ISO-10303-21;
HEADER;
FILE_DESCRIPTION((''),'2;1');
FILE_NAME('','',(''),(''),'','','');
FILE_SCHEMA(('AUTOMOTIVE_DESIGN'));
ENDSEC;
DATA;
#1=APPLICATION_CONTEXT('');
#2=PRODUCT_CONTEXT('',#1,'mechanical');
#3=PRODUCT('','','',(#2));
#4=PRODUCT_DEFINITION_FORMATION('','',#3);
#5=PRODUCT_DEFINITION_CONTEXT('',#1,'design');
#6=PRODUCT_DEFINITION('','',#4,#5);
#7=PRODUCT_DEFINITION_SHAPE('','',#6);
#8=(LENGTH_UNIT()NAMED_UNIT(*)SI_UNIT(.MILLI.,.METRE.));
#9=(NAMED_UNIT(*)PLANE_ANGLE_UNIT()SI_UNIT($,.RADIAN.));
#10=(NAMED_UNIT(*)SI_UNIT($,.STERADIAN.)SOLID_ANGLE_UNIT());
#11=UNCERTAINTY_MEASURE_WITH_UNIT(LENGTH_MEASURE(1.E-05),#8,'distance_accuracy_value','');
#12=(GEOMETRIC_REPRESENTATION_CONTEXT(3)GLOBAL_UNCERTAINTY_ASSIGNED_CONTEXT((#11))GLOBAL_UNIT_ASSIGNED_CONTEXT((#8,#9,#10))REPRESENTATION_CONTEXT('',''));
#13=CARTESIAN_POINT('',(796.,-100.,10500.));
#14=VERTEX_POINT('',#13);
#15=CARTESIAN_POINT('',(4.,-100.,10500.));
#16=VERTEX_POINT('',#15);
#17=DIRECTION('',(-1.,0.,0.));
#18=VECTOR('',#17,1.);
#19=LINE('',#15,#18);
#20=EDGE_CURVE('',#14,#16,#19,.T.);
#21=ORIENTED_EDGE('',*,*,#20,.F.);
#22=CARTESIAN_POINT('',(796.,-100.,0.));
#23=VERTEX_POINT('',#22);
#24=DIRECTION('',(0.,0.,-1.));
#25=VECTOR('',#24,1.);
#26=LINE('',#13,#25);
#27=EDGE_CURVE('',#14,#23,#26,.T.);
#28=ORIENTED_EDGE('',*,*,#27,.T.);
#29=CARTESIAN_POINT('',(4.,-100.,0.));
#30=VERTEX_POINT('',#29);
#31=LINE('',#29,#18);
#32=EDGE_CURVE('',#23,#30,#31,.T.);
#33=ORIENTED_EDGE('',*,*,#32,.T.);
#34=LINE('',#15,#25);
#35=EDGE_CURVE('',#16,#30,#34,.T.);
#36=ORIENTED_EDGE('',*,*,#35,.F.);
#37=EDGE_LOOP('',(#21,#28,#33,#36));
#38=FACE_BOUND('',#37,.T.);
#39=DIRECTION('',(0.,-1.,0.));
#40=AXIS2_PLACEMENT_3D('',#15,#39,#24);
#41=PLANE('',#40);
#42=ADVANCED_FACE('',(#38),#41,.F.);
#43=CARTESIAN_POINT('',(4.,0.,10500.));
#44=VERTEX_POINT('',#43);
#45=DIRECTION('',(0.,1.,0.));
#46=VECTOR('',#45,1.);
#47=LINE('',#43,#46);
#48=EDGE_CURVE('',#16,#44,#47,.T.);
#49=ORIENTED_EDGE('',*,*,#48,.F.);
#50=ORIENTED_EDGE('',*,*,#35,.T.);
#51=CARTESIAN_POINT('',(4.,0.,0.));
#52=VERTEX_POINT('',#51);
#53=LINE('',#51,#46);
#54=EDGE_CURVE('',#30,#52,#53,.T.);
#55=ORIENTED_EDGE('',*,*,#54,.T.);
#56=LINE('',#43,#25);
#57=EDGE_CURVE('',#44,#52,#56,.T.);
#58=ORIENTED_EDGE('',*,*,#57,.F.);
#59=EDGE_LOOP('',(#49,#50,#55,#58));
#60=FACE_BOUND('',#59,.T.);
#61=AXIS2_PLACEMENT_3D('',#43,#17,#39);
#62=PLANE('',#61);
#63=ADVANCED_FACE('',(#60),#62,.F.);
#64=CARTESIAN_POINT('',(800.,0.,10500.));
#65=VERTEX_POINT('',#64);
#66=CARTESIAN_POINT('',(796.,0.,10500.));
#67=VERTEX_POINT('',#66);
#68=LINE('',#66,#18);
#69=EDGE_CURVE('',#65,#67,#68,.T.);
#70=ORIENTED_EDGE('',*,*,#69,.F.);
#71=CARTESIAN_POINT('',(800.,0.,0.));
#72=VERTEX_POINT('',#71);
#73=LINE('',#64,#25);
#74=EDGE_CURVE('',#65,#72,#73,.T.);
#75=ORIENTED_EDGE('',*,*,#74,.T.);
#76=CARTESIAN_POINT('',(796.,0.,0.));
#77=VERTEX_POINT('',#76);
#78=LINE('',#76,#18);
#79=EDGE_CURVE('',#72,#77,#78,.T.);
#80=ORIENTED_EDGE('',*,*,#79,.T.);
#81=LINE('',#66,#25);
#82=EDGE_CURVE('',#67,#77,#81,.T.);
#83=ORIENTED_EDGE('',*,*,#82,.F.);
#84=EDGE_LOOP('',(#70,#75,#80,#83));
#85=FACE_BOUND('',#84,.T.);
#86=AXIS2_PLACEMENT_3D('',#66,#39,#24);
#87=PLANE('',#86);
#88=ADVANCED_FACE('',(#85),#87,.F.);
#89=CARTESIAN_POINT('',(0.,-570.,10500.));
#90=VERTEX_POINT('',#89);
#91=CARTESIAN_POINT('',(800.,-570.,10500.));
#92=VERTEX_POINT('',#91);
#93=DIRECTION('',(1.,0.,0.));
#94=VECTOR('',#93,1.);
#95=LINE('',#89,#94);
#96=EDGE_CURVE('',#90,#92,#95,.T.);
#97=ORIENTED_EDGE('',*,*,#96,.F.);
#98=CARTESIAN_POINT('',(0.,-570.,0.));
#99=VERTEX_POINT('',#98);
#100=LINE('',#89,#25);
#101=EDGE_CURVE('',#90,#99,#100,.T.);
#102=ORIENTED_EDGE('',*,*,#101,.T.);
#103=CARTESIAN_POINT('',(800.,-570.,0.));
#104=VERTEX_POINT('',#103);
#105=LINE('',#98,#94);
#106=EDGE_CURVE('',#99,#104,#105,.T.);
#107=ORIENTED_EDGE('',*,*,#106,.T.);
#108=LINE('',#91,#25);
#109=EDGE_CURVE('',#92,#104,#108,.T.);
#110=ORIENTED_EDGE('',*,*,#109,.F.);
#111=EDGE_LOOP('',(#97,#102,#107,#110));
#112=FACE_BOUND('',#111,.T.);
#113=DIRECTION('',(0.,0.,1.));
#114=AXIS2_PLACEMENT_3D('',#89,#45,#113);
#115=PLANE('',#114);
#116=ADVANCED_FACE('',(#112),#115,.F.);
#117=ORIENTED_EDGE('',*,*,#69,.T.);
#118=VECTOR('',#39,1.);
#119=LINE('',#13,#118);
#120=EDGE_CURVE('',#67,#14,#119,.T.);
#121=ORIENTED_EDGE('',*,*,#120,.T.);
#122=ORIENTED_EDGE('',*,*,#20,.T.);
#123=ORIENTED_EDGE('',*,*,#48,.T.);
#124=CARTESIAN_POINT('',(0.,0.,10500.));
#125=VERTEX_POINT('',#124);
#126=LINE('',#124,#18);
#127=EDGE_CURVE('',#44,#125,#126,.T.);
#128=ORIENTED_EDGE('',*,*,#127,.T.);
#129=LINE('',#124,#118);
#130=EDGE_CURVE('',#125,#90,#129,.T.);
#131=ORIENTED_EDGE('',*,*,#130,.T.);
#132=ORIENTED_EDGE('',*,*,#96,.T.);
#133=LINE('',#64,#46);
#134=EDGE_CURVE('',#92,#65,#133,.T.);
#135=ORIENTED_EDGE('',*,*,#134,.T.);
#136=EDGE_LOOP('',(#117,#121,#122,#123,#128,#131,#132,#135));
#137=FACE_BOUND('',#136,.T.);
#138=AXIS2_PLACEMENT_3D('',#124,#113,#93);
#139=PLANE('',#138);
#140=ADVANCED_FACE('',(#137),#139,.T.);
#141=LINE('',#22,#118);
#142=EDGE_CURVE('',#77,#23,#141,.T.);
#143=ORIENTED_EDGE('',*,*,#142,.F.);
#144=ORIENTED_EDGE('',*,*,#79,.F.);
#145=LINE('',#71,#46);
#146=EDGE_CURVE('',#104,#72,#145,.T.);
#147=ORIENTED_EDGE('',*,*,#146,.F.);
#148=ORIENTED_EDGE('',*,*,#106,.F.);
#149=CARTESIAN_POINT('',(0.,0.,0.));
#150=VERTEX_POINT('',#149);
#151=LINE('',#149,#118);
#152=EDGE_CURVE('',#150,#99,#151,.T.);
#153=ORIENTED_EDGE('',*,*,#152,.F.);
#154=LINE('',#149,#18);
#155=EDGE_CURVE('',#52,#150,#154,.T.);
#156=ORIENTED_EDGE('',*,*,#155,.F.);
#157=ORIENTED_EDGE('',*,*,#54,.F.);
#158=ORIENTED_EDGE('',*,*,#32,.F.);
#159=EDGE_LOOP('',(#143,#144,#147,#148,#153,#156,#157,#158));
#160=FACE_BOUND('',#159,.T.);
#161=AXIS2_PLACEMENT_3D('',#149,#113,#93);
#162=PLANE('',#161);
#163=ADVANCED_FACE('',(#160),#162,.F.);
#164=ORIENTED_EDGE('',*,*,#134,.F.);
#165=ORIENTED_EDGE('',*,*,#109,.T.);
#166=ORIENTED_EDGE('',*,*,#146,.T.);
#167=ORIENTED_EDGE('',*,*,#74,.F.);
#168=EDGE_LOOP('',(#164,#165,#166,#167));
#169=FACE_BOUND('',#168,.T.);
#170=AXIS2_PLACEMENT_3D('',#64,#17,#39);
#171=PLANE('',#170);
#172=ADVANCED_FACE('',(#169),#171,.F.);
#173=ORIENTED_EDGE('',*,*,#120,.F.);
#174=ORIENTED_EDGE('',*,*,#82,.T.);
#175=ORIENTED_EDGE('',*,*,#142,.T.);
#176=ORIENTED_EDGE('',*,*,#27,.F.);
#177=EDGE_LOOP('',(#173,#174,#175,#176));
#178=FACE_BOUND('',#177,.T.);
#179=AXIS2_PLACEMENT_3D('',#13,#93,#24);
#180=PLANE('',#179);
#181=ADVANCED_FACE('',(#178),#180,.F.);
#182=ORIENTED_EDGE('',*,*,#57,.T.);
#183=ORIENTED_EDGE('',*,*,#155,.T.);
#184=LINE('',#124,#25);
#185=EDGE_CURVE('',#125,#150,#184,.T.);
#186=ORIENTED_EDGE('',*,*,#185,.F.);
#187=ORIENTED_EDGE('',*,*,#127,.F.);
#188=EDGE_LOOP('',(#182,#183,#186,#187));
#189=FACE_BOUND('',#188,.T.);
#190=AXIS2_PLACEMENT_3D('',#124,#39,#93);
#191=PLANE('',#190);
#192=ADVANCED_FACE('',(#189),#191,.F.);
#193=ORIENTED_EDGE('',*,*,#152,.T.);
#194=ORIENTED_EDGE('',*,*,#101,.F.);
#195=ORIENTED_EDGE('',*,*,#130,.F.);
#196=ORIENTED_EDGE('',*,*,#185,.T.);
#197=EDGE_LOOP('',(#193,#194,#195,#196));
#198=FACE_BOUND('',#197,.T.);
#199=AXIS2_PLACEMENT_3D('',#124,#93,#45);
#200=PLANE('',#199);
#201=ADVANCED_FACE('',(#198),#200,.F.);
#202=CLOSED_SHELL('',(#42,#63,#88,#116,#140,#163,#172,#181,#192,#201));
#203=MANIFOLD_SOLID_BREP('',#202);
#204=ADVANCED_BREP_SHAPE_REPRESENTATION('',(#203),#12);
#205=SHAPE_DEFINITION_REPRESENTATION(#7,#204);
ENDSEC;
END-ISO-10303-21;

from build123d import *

# Parameters (mm, degrees)
SALIENTE_EXTRUIR1_DEPTH = 10500


with BuildPart() as part:
    # Croquis1 → Saliente-Extruir1 (new body)
    with BuildSketch(Plane.XY):
        Polygon((4, 0), (4, -100), (796, -100), (796, 0), (800, 0), (800, -570), (0, -570), (0, 0), align=None)
    extrude(amount=SALIENTE_EXTRUIR1_DEPTH)


solid = part.part
